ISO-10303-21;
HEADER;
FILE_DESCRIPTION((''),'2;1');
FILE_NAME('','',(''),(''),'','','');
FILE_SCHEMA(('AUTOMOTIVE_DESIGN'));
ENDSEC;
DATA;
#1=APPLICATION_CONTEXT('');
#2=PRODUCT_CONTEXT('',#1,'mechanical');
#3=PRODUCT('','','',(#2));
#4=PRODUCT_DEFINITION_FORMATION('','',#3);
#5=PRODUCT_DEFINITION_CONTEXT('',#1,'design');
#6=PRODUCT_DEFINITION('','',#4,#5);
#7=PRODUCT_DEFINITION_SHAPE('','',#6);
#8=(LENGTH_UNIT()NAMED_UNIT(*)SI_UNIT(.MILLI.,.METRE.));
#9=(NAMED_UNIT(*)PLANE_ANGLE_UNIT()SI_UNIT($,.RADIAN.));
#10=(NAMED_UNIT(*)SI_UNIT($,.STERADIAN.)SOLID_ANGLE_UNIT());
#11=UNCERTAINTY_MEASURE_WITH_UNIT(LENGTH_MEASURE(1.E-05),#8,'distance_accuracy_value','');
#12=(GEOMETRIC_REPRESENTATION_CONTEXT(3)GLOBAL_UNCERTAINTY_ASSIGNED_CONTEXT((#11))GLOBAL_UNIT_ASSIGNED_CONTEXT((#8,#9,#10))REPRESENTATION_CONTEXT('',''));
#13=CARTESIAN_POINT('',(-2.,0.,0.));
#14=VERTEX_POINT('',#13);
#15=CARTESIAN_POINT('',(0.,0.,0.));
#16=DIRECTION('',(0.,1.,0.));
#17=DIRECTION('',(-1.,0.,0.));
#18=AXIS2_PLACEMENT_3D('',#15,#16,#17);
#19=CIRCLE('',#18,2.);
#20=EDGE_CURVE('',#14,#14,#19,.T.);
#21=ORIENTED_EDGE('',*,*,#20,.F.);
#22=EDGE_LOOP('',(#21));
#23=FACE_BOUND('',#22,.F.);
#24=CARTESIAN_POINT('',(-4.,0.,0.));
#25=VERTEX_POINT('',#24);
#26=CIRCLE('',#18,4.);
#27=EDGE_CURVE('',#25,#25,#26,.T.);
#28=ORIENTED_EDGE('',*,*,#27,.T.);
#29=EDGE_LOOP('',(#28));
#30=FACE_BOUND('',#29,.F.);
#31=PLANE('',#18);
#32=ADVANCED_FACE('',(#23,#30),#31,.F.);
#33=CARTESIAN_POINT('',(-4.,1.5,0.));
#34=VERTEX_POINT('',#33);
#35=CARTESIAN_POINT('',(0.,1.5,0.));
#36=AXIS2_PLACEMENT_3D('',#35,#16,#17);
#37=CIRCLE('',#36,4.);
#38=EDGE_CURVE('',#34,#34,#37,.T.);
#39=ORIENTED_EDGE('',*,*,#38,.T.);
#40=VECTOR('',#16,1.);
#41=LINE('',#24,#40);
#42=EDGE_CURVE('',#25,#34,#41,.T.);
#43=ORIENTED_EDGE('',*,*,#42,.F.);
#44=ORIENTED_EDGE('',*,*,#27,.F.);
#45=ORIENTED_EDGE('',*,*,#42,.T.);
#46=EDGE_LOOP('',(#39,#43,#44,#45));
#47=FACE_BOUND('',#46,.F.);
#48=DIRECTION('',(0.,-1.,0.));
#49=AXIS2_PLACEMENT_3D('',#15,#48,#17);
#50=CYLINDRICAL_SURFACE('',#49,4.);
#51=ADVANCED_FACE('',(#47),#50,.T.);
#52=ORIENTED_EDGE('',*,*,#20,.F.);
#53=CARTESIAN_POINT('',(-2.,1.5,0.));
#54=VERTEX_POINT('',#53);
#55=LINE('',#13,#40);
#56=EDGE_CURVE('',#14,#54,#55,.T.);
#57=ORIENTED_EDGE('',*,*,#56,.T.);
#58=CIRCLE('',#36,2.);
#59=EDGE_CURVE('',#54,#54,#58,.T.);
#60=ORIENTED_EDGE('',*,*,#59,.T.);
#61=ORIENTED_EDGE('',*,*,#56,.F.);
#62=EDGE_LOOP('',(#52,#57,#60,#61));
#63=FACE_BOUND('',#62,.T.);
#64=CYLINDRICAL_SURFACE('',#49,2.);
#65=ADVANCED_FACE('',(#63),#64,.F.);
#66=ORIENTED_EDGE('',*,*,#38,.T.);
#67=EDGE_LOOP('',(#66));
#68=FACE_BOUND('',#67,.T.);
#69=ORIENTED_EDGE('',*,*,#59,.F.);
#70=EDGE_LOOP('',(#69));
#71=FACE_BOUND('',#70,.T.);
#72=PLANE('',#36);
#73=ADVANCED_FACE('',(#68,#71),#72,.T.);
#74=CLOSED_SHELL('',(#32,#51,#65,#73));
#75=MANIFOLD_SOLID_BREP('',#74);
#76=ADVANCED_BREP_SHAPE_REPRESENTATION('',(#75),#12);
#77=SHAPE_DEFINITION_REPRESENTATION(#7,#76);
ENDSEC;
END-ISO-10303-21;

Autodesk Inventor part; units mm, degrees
ref_plane "YZ Plane" through (0, 0, 0) normal (1, 0, 0) x (0, 1, 0)
ref_plane "XZ Plane" through (0, 0, 0) normal (0, 1, 0) x (-1, 0, 0)
ref_plane "XY Plane" through (0, 0, 0) normal (0, 0, 1) x (1, 0, 0)
sketch "Boceto1" plane through (0, 0, 0) normal (0, 1, 0) x (-1, 0, 0)
  circle A0 centre (0, 0) radius 4
  circle A1 centre (0, 0) radius 2
  dimension "d0" = 8
  dimension "d1" = 4
extrude "Extrusión1" add sketch "Boceto1" along normal blind 1.5
properties part number "Pieza 2 subensamble 1-69" material "Hierro, dúctil"
